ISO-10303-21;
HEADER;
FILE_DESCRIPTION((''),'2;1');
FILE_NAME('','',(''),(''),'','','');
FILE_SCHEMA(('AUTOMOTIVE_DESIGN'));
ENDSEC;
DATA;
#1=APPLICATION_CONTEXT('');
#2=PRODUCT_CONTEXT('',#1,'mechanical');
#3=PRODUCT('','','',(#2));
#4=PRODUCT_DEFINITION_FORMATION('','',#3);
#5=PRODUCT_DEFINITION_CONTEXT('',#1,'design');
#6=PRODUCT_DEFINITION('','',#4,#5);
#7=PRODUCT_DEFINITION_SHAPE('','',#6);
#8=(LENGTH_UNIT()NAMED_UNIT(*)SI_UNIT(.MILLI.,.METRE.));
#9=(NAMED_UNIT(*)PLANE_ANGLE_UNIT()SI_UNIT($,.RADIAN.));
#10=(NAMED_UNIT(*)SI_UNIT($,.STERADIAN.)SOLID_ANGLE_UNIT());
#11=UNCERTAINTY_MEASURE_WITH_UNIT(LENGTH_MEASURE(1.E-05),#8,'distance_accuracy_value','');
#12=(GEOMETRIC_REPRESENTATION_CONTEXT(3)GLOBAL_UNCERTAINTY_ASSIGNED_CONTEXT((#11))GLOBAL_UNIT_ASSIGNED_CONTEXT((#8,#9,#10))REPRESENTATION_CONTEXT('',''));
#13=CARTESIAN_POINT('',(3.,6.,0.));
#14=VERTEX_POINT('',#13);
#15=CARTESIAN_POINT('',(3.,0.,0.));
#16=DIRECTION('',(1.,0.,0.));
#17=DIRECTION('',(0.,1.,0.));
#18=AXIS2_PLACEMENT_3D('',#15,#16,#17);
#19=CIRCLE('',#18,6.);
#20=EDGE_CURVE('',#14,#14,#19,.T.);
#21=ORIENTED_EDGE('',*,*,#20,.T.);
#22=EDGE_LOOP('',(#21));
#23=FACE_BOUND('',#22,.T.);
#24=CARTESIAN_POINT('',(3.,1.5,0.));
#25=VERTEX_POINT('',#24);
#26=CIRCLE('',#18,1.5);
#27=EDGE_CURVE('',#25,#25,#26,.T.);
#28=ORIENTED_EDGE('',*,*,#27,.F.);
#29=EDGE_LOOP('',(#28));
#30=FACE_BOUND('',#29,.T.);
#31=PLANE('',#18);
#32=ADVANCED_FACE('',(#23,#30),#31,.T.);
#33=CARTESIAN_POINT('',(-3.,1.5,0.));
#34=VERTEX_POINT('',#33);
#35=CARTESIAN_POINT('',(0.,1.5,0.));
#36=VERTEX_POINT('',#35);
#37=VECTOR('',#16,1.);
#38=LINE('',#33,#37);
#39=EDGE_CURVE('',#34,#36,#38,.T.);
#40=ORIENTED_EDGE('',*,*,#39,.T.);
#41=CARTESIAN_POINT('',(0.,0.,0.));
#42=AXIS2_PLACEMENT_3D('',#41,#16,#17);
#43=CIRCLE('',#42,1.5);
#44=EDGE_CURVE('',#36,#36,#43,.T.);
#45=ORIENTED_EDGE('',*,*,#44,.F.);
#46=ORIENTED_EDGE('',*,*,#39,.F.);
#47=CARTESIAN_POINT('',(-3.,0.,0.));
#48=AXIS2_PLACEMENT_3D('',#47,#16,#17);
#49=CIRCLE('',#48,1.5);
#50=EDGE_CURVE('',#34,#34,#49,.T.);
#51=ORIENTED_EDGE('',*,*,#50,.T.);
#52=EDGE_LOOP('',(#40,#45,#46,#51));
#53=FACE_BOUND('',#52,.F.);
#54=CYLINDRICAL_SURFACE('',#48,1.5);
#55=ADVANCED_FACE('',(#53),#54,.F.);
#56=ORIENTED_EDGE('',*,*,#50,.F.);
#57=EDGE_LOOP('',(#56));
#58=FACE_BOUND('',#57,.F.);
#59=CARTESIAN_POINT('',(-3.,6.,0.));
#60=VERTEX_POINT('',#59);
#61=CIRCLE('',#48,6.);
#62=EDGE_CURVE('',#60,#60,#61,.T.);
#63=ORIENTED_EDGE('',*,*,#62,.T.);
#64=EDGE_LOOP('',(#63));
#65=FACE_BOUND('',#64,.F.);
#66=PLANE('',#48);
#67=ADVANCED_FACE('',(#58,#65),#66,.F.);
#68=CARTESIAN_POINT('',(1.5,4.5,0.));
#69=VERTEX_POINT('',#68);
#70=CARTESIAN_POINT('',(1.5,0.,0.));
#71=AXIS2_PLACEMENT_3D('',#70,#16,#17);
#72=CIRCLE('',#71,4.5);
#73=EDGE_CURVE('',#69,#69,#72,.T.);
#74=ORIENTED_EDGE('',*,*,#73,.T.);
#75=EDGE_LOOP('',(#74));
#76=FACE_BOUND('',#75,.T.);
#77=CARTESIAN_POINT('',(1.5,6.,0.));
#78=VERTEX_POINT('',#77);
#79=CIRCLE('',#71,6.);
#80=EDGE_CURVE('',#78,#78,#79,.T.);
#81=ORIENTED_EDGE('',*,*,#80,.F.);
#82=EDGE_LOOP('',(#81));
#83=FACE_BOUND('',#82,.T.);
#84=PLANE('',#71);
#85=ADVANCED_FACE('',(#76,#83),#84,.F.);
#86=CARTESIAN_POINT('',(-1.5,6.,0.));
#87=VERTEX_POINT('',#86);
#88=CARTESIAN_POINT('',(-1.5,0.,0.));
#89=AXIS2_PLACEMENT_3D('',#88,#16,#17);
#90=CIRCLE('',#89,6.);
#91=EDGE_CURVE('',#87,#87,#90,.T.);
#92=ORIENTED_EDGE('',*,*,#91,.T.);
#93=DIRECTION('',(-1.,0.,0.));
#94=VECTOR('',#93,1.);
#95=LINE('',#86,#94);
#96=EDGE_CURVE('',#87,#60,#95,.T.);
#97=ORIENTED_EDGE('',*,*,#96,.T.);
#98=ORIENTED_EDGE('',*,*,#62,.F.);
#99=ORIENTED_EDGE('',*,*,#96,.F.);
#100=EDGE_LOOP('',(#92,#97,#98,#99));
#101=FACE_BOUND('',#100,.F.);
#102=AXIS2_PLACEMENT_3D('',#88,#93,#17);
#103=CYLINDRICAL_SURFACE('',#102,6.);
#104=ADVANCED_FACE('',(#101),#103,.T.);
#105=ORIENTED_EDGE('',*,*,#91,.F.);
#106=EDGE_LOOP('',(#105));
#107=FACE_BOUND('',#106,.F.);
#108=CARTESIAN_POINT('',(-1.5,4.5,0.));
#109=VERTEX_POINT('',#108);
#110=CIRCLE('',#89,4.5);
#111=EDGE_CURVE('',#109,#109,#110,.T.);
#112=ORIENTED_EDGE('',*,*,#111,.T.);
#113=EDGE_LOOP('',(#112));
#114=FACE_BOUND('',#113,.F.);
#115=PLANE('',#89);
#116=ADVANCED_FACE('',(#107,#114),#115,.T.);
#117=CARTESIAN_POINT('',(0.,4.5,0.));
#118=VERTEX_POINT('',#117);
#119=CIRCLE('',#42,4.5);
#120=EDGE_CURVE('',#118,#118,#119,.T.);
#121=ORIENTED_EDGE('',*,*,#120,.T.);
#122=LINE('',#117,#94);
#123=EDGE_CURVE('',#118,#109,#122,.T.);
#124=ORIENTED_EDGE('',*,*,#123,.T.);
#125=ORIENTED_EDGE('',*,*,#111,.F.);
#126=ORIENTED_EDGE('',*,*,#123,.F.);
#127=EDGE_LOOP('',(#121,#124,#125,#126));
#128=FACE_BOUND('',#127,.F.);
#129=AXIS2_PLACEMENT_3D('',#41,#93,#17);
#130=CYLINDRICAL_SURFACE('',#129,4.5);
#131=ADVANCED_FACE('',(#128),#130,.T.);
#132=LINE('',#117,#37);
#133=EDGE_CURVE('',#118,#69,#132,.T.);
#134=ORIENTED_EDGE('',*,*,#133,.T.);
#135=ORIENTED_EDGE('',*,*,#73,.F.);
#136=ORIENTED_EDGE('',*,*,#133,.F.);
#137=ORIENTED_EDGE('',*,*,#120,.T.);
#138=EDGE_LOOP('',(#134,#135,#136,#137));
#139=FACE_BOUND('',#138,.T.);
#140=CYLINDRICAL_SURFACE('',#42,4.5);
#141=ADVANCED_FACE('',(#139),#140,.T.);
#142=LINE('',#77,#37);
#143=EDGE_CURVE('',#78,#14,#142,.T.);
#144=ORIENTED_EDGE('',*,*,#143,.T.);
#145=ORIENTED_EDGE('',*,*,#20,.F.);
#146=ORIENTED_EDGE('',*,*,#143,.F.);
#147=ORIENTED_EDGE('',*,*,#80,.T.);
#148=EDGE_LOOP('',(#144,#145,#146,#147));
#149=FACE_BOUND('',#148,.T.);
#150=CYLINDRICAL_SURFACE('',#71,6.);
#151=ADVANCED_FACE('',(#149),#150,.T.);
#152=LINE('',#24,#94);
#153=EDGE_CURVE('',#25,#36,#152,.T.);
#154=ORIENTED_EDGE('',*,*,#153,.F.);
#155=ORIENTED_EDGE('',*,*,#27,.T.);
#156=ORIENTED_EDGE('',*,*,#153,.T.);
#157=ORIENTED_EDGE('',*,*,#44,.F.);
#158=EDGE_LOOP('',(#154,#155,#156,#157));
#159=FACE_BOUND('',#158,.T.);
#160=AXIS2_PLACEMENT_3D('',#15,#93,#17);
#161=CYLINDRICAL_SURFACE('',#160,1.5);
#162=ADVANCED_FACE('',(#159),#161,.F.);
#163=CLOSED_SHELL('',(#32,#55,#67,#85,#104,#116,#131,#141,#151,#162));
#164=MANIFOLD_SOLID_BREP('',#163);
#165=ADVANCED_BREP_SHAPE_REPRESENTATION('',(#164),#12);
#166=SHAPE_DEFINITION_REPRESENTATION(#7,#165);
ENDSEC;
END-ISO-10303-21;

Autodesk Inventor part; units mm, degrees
ref_plane "YZ Plane" through (0, 0, 0) normal (1, 0, 0) x (0, 1, 0)
ref_plane "XZ Plane" through (0, 0, 0) normal (0, 1, 0) x (-1, 0, 0)
ref_plane "XY Plane" through (0, 0, 0) normal (0, 0, 1) x (1, 0, 0)
sketch "スケッチ1" plane through (0, 0, 0) normal (0, 0, 1) x (1, 0, 0)
  line L0 (0, 4.5) -> (1.5, 4.5)
  line L1 (1.5, 4.5) -> (1.5, 6)
  line L2 (1.5, 6) -> (3, 6)
  line L3 (3, 6) -> (3, 1.5)
  line L4 (3, 1.5) -> (0, 1.5)
  line L5 (0, -1.2) -> (0, 7.2) construction
  line L6 (0, 4.5) -> (-1.5, 4.5)
  line L7 (-1.5, 4.5) -> (-1.5, 6)
  line L8 (-1.5, 6) -> (-3, 6)
  line L9 (-3, 6) -> (-3, 1.5)
  line L10 (-3, 1.5) -> (0, 1.5)
  line L11 (-4.2, 0) -> (4.2, 0) projected
  point P0 (0, 0)
  dimension "d0" = 1.5
  dimension "d1" = 4.5
  dimension "d2" = 1.5
  dimension "d3" = 1.5
  dimension "d4" = 1.5
revolve "回転1" add sketch "スケッチ1" angle 360 about axis through (-10, 0, 0) along (1, 0, 0)
properties part number "Pulley_D3_P10"
